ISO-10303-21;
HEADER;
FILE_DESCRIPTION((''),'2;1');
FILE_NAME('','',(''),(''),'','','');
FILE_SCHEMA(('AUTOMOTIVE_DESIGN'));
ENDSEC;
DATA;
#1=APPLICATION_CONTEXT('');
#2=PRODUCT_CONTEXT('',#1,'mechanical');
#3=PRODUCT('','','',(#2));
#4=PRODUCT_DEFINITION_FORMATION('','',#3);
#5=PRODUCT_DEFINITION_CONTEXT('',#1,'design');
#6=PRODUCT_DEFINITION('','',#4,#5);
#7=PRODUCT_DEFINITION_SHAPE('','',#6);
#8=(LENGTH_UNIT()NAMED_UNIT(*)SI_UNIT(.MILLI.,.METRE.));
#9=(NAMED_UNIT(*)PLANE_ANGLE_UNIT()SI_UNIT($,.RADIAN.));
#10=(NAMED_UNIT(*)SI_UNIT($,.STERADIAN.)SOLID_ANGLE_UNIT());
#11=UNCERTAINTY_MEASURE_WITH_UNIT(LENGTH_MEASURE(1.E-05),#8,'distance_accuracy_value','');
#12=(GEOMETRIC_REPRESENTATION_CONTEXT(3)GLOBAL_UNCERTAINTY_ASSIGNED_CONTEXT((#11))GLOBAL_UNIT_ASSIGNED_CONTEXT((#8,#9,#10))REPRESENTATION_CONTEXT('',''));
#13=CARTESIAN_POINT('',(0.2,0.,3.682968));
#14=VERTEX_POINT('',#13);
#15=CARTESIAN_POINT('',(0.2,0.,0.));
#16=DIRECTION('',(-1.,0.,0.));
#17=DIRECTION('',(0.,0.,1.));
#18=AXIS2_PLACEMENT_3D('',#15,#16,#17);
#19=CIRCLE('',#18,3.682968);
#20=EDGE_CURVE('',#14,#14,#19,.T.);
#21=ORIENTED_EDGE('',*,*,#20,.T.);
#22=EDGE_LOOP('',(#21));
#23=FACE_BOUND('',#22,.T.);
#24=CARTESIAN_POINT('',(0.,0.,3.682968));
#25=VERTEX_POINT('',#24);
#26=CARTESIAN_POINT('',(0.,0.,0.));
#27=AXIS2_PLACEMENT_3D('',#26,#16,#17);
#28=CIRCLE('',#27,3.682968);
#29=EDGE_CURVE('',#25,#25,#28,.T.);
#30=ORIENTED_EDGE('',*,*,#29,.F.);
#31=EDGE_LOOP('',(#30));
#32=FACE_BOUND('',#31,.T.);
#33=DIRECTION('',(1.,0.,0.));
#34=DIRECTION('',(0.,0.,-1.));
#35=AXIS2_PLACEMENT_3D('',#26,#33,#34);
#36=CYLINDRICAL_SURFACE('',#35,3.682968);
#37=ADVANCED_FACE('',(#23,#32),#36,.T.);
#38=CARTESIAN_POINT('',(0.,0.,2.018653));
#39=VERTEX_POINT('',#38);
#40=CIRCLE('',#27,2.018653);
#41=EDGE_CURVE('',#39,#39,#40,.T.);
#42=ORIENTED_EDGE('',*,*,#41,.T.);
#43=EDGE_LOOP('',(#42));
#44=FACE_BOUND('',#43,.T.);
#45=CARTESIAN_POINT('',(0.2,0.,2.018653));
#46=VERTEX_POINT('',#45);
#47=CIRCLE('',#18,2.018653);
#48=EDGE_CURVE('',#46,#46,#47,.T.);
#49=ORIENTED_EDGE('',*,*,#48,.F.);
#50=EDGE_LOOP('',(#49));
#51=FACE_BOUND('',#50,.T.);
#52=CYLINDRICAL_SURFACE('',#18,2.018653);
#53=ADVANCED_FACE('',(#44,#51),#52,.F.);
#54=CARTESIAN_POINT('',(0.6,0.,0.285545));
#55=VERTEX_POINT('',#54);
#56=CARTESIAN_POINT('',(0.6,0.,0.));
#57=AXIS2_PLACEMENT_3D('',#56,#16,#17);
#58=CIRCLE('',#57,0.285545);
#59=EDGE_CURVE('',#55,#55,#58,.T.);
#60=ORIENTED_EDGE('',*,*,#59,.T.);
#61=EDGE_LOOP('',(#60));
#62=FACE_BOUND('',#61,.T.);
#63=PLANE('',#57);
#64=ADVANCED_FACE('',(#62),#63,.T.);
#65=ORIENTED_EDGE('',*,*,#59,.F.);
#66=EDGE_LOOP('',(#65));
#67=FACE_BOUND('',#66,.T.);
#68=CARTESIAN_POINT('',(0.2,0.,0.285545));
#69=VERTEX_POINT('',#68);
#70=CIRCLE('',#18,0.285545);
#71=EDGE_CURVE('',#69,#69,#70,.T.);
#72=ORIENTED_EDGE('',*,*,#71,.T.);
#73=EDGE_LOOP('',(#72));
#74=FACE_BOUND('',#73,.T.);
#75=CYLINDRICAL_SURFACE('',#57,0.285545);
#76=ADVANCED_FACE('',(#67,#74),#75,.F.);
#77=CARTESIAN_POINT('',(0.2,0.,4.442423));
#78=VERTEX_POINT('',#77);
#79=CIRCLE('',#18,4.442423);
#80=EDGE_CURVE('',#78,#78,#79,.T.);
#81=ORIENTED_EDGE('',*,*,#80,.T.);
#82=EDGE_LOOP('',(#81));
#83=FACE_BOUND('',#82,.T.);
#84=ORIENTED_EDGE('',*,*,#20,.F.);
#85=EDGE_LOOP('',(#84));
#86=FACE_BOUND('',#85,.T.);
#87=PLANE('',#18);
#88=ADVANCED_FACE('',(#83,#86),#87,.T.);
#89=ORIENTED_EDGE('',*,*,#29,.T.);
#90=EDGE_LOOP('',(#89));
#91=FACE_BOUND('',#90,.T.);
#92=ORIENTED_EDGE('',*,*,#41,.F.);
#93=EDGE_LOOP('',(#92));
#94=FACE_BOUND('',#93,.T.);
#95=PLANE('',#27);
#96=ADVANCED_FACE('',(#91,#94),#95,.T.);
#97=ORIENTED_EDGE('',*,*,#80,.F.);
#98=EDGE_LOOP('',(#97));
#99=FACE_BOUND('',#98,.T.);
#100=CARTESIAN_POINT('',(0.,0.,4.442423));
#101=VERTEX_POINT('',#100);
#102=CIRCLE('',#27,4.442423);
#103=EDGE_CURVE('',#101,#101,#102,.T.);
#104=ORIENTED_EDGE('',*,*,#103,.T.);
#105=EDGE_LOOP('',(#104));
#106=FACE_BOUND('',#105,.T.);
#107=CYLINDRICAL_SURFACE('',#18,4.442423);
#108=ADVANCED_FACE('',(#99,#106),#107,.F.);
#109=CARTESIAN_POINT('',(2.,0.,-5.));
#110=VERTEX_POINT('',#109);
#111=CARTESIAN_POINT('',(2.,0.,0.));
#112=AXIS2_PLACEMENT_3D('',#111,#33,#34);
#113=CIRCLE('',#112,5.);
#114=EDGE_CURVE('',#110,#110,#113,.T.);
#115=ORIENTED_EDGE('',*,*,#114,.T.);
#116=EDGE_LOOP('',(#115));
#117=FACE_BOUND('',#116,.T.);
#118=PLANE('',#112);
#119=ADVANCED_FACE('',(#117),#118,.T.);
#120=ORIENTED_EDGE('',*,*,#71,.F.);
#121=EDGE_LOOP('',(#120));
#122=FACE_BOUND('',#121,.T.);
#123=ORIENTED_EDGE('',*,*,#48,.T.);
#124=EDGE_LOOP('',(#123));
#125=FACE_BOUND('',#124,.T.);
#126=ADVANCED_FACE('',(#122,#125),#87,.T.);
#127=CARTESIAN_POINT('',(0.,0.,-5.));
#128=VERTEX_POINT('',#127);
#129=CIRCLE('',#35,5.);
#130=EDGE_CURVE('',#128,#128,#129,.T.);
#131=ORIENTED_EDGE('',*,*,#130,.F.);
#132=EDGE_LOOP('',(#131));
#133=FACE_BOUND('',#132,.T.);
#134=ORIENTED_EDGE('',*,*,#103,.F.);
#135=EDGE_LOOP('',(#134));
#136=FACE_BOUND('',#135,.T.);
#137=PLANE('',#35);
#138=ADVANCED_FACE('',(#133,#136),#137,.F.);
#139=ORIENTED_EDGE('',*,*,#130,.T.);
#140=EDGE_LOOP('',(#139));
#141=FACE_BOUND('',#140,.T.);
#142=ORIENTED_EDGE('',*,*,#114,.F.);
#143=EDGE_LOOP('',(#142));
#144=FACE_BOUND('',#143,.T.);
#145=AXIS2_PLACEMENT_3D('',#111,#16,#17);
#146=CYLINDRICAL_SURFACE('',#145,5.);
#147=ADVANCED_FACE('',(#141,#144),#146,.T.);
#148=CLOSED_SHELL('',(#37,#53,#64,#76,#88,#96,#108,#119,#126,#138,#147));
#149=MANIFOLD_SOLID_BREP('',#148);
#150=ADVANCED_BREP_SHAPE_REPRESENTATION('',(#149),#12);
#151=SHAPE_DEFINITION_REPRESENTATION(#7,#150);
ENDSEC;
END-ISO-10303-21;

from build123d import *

# Parameters (mm, degrees)
SKETCH_1_R          = 5
EXTRUDE_310_DEPTH   = 2
SKETCH_9_R          = 4.442422665
CUT_EXTRUDE_1_DEPTH = 0.2
SKETCH_10_R         = 3.682968426
EXTRUDE_1_DEPTH     = 0.2
SKETCH_11_R         = 2.01865338
CUT_EXTRUDE_2_DEPTH = 0.2
SKETCH_12_R         = 0.285545309
CUT_EXTRUDE_3_DEPTH = 0.4


with BuildPart() as part:
    # 草图1 → Extrude 310 (new body)
    with BuildSketch(Plane(origin=(0, 0, 0), x_dir=(0, 0, -1), z_dir=(1, 0, 0))):
        Circle(SKETCH_1_R)
    extrude(amount=EXTRUDE_310_DEPTH)

    # 草图9 → 切除-拉伸1 (cut)
    with BuildSketch(Plane.ZY):
        Circle(SKETCH_9_R)
    extrude(amount=-CUT_EXTRUDE_1_DEPTH, mode=Mode.SUBTRACT)

    # 草图10 → 凸台-拉伸1 (add)
    with BuildSketch(Plane.ZY.offset(-0.2)):
        Circle(SKETCH_10_R)
    extrude(amount=EXTRUDE_1_DEPTH)

    # 草图11 → 切除-拉伸2 (cut)
    with BuildSketch(Plane.ZY):
        Circle(SKETCH_11_R)
    extrude(amount=-CUT_EXTRUDE_2_DEPTH, mode=Mode.SUBTRACT)

    # 草图12 → 切除-拉伸3 (cut)
    with BuildSketch(Plane.ZY.offset(-0.2)):
        Circle(SKETCH_12_R)
    extrude(amount=-CUT_EXTRUDE_3_DEPTH, mode=Mode.SUBTRACT)


solid = part.part
